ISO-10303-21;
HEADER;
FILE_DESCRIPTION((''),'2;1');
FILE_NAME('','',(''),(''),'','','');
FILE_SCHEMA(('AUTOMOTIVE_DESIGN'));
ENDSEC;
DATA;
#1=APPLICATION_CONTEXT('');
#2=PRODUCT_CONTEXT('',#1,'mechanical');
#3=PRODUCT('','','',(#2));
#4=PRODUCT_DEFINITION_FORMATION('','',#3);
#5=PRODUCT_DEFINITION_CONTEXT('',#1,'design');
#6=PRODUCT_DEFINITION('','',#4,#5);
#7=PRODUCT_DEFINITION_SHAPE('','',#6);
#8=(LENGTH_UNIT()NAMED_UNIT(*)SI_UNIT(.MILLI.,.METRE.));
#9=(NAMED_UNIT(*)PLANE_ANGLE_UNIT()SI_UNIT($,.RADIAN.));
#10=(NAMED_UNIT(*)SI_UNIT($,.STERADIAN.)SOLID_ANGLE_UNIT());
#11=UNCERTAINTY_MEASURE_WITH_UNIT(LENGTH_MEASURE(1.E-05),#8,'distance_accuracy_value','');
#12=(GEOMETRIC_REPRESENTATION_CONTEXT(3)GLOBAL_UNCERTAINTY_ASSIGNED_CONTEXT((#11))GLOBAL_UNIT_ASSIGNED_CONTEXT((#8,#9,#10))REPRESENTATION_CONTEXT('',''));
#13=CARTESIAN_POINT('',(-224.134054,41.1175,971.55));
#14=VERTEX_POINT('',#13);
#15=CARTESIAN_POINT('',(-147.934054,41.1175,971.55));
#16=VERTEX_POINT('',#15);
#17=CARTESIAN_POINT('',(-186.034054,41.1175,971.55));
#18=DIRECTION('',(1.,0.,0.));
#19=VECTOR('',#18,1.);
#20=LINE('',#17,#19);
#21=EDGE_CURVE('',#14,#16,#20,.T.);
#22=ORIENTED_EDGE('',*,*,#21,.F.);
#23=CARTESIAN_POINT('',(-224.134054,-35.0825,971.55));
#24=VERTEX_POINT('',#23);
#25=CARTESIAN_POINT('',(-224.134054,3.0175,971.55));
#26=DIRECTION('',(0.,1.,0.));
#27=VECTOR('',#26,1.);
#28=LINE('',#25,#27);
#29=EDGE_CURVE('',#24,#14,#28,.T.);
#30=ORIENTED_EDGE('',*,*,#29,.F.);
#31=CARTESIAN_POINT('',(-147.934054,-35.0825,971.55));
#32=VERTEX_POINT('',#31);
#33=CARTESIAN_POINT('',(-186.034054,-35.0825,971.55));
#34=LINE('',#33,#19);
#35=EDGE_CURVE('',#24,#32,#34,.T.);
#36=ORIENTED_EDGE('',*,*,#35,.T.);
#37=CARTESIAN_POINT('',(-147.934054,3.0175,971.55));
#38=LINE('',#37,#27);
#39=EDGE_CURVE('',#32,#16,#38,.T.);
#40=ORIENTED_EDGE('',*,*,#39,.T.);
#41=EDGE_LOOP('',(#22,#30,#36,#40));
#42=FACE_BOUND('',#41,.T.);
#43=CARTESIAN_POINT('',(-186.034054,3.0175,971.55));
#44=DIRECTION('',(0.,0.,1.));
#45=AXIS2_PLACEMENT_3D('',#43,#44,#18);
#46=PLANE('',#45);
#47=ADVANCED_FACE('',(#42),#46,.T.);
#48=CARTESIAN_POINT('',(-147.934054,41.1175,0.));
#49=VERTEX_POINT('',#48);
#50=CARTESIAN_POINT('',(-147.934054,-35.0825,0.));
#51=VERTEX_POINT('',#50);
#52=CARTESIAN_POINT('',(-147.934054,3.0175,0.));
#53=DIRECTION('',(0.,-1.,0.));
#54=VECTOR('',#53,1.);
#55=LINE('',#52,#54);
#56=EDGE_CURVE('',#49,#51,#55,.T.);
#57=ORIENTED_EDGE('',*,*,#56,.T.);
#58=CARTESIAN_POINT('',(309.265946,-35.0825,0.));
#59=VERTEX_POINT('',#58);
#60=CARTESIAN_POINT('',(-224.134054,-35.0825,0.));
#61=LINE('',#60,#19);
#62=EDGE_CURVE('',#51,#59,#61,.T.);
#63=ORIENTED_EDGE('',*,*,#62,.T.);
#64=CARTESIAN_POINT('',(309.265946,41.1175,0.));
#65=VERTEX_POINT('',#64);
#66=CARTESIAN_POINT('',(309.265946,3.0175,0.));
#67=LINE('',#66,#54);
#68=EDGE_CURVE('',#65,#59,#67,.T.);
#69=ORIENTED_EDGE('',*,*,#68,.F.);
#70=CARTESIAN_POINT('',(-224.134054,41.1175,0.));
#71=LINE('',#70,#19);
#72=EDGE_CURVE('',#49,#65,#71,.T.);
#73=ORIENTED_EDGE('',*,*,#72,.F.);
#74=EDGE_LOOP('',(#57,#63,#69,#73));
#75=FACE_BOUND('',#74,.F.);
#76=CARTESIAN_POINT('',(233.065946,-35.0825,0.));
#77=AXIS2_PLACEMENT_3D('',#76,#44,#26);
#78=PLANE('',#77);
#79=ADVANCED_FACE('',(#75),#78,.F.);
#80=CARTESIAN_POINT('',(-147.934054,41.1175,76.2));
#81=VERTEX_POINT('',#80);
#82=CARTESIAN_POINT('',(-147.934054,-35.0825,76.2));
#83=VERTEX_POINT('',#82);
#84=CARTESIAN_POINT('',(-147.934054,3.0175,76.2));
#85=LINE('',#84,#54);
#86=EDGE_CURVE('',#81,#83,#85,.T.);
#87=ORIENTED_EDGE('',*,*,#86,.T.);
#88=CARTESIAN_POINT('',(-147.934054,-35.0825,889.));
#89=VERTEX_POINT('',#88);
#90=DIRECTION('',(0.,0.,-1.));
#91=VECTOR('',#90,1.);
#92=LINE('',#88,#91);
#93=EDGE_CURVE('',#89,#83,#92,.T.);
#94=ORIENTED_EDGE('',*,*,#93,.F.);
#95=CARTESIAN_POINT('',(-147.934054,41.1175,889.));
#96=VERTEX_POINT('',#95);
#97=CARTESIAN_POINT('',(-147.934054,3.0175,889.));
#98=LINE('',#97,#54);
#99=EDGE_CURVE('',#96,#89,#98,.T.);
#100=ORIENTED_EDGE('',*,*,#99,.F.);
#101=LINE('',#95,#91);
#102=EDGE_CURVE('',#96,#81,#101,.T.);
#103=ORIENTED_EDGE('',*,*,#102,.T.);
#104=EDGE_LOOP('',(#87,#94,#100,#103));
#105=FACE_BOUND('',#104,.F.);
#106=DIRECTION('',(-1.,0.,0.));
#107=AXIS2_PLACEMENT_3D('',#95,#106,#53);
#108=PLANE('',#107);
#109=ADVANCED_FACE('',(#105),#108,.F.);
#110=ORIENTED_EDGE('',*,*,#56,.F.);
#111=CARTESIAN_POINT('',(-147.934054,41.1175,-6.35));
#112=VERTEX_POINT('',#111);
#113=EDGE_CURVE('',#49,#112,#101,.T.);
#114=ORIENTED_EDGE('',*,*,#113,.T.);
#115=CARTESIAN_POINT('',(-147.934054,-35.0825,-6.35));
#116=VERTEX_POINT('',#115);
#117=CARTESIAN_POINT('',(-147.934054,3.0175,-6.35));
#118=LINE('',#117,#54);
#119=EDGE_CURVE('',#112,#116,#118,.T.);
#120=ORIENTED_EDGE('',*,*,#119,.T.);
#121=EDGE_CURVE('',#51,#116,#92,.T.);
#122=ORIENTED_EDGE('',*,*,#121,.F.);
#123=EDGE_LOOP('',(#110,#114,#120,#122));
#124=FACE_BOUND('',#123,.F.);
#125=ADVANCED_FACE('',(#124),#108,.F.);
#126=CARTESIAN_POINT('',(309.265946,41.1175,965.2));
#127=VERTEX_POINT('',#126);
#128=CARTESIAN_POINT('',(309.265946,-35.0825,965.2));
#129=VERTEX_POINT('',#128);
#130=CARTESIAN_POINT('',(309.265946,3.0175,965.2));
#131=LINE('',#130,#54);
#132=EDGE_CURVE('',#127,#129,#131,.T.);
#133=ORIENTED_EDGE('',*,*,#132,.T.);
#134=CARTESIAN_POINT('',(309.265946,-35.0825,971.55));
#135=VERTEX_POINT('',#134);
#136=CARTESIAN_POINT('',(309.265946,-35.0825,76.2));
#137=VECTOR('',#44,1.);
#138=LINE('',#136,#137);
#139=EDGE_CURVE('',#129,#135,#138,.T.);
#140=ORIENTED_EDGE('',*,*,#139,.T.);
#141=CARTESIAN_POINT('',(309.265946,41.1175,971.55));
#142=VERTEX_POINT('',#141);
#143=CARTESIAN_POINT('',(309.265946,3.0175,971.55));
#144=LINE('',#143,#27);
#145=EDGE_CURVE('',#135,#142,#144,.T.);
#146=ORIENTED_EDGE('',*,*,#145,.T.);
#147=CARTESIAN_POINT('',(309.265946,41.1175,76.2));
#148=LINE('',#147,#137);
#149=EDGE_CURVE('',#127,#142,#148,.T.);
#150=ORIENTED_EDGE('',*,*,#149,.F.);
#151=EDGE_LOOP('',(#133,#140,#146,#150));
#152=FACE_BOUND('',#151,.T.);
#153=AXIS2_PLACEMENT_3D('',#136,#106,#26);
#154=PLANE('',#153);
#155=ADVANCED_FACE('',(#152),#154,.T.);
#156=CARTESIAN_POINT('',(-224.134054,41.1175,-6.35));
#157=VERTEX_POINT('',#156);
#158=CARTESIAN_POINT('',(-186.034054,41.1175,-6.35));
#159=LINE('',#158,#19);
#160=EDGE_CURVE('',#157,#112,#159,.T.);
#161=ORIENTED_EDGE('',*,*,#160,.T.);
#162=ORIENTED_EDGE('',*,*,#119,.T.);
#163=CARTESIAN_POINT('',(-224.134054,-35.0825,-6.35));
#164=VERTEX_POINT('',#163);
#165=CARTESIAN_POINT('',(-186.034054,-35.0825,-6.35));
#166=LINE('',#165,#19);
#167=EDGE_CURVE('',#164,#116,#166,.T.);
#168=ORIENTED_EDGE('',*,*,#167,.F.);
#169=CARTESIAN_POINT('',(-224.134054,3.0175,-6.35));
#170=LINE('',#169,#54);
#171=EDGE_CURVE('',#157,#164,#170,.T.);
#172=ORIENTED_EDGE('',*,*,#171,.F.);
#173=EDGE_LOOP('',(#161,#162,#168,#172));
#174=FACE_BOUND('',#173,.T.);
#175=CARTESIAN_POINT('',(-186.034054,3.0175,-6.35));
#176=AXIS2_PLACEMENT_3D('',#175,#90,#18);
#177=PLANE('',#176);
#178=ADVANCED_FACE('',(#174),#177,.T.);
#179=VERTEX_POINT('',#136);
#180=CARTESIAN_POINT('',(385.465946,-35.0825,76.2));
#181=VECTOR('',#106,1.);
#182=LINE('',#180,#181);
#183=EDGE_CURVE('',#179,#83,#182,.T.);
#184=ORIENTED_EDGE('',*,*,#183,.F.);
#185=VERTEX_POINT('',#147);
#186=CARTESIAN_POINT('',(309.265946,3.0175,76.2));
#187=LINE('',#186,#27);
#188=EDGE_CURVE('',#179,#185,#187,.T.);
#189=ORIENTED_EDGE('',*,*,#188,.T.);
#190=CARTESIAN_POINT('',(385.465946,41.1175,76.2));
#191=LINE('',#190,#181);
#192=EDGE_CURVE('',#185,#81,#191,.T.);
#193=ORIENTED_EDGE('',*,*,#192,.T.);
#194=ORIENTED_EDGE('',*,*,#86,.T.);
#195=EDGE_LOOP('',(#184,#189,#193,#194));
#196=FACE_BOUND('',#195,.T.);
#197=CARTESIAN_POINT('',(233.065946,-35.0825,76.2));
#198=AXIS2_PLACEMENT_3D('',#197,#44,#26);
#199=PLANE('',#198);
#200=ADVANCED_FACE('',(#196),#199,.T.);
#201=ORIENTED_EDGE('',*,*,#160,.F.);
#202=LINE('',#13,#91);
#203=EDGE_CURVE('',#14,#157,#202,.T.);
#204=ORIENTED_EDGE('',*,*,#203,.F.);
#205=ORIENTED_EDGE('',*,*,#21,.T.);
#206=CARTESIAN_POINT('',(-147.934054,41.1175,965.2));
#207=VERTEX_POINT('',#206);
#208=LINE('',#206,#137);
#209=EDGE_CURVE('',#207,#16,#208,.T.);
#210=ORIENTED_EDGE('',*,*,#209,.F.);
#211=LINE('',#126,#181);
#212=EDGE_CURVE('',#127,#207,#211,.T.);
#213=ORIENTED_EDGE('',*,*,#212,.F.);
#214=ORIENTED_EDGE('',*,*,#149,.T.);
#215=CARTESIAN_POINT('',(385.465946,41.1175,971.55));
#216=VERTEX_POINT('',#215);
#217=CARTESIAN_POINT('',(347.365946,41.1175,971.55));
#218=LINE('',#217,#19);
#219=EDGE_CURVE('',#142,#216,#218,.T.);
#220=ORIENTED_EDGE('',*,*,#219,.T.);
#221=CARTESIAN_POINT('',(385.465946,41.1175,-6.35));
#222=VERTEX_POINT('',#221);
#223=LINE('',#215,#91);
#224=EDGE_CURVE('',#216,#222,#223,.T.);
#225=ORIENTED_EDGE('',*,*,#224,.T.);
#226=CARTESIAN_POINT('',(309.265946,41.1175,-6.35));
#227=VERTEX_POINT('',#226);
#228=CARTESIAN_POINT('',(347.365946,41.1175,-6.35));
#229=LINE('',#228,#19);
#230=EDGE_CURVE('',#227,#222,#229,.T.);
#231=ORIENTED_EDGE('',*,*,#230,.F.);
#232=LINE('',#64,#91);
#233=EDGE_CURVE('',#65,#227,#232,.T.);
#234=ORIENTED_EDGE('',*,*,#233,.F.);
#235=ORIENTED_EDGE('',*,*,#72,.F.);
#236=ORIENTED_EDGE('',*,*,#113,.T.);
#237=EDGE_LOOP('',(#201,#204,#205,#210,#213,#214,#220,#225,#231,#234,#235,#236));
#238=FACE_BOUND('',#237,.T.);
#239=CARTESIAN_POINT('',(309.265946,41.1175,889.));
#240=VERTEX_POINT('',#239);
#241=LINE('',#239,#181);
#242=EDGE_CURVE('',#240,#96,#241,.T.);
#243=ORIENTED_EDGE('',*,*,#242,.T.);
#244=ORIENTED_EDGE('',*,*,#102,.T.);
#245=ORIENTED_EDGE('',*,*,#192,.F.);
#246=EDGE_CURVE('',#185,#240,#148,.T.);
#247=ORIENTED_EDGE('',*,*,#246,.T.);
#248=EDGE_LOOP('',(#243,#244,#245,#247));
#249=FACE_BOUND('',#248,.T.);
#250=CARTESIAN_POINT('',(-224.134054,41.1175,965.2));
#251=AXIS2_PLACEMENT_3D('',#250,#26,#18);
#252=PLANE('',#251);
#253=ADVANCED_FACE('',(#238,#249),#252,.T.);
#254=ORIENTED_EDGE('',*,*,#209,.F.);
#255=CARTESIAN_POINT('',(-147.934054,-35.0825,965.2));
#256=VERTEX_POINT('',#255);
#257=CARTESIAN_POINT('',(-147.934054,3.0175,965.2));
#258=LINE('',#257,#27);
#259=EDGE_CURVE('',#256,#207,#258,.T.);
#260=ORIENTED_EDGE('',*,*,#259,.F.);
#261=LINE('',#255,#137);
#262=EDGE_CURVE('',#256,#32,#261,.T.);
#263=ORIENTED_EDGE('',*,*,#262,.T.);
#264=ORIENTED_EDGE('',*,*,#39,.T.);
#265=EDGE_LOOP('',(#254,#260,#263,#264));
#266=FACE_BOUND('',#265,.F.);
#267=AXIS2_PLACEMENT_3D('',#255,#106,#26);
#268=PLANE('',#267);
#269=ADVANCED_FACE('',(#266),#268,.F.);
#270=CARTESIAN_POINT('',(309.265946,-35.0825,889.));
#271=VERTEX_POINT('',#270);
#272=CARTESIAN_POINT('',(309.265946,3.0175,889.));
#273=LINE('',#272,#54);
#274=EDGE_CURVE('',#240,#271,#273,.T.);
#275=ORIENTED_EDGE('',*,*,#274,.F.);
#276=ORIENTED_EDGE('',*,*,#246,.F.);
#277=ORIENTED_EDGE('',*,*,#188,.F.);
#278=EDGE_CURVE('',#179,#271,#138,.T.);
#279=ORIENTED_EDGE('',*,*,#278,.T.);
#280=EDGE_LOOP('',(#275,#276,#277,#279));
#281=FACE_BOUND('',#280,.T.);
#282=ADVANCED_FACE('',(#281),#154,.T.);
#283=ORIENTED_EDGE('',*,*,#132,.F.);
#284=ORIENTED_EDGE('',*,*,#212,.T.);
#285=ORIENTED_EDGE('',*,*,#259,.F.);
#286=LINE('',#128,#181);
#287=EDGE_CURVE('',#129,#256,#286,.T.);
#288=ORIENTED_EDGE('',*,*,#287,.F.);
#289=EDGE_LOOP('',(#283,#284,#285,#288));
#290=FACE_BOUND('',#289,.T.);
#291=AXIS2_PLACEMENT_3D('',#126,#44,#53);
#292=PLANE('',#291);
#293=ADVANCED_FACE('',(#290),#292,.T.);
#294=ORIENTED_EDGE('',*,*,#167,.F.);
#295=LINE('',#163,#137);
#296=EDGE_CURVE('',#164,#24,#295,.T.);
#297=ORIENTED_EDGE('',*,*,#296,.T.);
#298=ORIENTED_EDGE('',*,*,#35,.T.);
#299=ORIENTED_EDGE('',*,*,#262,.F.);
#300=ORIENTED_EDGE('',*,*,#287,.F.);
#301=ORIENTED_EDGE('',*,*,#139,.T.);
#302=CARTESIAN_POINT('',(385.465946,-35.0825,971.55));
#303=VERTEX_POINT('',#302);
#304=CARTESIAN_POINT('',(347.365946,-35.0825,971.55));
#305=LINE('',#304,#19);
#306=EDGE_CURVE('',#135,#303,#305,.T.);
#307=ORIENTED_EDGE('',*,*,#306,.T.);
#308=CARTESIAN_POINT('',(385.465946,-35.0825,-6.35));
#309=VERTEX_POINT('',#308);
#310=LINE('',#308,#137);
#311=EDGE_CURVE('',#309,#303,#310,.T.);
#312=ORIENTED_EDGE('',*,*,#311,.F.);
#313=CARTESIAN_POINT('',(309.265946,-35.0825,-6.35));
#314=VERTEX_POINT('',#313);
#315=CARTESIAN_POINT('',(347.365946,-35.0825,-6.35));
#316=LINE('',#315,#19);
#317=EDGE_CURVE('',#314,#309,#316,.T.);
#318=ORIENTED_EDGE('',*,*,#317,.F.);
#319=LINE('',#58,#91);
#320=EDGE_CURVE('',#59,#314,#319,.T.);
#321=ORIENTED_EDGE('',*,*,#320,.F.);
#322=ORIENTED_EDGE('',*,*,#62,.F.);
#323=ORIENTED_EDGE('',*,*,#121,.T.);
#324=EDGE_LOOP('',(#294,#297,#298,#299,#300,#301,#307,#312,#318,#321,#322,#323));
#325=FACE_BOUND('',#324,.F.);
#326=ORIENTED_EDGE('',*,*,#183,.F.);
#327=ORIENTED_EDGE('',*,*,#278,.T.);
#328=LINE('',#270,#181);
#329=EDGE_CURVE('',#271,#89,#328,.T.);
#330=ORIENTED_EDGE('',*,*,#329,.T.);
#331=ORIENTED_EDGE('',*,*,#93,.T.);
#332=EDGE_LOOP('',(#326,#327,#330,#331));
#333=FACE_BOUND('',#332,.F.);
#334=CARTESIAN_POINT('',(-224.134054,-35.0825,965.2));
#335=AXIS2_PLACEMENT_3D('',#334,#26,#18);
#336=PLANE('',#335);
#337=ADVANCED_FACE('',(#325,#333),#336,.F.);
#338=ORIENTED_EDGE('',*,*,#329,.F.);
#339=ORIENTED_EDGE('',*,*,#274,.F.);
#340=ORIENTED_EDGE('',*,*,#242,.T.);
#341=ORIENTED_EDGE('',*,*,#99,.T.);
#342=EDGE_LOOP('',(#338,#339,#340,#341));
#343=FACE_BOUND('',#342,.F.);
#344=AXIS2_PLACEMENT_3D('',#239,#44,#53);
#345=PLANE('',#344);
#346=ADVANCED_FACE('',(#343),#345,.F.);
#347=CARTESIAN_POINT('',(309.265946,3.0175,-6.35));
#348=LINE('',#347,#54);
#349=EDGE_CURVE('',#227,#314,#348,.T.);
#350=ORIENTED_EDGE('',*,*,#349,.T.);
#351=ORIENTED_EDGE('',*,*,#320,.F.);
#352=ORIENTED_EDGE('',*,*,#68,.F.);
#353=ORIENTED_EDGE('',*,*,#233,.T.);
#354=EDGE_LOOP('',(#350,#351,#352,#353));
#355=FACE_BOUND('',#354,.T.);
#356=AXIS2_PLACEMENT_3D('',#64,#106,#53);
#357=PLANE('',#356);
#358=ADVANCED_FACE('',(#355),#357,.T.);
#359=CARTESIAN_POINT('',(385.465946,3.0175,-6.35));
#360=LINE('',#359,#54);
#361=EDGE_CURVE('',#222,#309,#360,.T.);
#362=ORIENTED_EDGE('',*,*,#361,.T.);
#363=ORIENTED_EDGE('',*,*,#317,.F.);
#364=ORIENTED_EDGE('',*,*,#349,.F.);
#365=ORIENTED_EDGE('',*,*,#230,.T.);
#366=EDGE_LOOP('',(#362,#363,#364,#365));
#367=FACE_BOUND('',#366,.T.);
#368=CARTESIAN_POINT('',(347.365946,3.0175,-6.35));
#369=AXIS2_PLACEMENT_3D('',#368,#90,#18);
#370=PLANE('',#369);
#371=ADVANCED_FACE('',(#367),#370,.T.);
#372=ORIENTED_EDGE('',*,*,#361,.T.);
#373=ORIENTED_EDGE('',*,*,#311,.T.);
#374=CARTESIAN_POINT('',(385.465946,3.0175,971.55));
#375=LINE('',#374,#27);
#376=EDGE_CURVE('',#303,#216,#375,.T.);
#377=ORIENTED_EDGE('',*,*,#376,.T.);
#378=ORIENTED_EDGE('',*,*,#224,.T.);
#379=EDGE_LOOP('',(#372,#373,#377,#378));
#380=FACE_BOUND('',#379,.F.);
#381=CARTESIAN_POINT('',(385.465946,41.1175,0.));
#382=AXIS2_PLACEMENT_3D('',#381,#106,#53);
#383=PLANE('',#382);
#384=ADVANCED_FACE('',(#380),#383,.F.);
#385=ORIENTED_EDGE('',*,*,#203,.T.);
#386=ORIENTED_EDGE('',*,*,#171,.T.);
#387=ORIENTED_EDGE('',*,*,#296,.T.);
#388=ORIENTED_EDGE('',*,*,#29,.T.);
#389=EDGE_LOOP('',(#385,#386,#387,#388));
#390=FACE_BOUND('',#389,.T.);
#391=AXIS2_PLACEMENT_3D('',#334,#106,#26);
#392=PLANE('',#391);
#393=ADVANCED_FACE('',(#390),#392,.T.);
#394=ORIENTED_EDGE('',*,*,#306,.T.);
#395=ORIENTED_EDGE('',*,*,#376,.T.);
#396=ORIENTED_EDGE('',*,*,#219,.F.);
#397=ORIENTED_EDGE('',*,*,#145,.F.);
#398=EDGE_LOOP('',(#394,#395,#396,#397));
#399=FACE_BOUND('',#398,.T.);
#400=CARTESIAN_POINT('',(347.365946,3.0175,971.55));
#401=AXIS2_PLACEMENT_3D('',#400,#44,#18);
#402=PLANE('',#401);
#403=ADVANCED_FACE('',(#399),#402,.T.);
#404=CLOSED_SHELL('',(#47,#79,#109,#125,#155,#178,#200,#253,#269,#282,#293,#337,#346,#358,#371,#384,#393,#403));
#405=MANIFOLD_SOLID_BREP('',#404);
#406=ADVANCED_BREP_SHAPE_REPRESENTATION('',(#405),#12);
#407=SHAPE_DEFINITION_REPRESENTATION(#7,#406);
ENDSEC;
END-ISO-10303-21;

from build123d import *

# Parameters (mm, degrees)
F0_W      = 457.2
F0_H      = 76.2
F1_DEPTH  = 76.2
F1_FACE_W = 76.2
F1_FACE_H = 76.2
F2_DEPTH  = 152.4
F3_W      = 76.2
F3_H      = 76.2
F4_DEPTH  = 895.35
F5_W      = 76.2
F5_H      = 76.2
F11_DEPTH = 6.35
F6_W      = 76.2
F6_H      = 76.2
F7_DEPTH  = 533.4
F8_W      = 76.2
F8_H      = 76.2
F12_DEPTH = 895.35
F9_W      = 76.2
F9_H      = 76.2
F10_DEPTH = 6.35


with BuildPart() as f1:
    # F0 (on Top) → F1 (new body)
    with BuildSketch(Plane.XY):
        with Locations((4.465946, 3.0175)):
            Rectangle(F0_W, F0_H)
    extrude(amount=F1_DEPTH)

    # F1_face (on face) → F2 (join)
    with BuildSketch(Plane(origin=(233.065946, 3.0175, 38.1), x_dir=(0, 1, 0), z_dir=(1, 0, 0))):
        Rectangle(F1_FACE_W, F1_FACE_H)
    extrude(amount=F2_DEPTH)

    # F3 (on face) → F4 (join)
    with BuildSketch(Plane.XY.offset(76.2)):
        with Locations((347.365946, 3.0175)):
            Rectangle(F3_W, F3_H)
    extrude(amount=F4_DEPTH)

    # F5 (on face) → F11 (join)
    with BuildSketch(Plane(origin=(0, 0, 0), x_dir=(1, 0, 0), z_dir=(0, 0, -1))):
        with Locations((347.365946, -3.0175)):
            Rectangle(F5_W, F5_H)
    extrude(amount=F11_DEPTH)

    # F6 (on face) → F7 (join)
    with BuildSketch(Plane(origin=(309.265946, 0, 0), x_dir=(0, -1, 0), z_dir=(-1, 0, 0))):
        with Locations((-3.0175, 927.1)):
            Rectangle(F6_W, F6_H)
    extrude(amount=F7_DEPTH)

    # F8 (on face) → F12 (join)
    with BuildSketch(Plane(origin=(0, 0, 889), x_dir=(1, 0, 0), z_dir=(0, 0, -1))):
        with Locations((-186.034054, -3.0175)):
            Rectangle(F8_W, F8_H)
    extrude(amount=F12_DEPTH)

    # F9 (on face) → F10 (join)
    with BuildSketch(Plane.XY.offset(965.2)):
        with Locations((-186.034054, 3.0175)):
            Rectangle(F9_W, F9_H)
    extrude(amount=F10_DEPTH)


solid = f1.part
